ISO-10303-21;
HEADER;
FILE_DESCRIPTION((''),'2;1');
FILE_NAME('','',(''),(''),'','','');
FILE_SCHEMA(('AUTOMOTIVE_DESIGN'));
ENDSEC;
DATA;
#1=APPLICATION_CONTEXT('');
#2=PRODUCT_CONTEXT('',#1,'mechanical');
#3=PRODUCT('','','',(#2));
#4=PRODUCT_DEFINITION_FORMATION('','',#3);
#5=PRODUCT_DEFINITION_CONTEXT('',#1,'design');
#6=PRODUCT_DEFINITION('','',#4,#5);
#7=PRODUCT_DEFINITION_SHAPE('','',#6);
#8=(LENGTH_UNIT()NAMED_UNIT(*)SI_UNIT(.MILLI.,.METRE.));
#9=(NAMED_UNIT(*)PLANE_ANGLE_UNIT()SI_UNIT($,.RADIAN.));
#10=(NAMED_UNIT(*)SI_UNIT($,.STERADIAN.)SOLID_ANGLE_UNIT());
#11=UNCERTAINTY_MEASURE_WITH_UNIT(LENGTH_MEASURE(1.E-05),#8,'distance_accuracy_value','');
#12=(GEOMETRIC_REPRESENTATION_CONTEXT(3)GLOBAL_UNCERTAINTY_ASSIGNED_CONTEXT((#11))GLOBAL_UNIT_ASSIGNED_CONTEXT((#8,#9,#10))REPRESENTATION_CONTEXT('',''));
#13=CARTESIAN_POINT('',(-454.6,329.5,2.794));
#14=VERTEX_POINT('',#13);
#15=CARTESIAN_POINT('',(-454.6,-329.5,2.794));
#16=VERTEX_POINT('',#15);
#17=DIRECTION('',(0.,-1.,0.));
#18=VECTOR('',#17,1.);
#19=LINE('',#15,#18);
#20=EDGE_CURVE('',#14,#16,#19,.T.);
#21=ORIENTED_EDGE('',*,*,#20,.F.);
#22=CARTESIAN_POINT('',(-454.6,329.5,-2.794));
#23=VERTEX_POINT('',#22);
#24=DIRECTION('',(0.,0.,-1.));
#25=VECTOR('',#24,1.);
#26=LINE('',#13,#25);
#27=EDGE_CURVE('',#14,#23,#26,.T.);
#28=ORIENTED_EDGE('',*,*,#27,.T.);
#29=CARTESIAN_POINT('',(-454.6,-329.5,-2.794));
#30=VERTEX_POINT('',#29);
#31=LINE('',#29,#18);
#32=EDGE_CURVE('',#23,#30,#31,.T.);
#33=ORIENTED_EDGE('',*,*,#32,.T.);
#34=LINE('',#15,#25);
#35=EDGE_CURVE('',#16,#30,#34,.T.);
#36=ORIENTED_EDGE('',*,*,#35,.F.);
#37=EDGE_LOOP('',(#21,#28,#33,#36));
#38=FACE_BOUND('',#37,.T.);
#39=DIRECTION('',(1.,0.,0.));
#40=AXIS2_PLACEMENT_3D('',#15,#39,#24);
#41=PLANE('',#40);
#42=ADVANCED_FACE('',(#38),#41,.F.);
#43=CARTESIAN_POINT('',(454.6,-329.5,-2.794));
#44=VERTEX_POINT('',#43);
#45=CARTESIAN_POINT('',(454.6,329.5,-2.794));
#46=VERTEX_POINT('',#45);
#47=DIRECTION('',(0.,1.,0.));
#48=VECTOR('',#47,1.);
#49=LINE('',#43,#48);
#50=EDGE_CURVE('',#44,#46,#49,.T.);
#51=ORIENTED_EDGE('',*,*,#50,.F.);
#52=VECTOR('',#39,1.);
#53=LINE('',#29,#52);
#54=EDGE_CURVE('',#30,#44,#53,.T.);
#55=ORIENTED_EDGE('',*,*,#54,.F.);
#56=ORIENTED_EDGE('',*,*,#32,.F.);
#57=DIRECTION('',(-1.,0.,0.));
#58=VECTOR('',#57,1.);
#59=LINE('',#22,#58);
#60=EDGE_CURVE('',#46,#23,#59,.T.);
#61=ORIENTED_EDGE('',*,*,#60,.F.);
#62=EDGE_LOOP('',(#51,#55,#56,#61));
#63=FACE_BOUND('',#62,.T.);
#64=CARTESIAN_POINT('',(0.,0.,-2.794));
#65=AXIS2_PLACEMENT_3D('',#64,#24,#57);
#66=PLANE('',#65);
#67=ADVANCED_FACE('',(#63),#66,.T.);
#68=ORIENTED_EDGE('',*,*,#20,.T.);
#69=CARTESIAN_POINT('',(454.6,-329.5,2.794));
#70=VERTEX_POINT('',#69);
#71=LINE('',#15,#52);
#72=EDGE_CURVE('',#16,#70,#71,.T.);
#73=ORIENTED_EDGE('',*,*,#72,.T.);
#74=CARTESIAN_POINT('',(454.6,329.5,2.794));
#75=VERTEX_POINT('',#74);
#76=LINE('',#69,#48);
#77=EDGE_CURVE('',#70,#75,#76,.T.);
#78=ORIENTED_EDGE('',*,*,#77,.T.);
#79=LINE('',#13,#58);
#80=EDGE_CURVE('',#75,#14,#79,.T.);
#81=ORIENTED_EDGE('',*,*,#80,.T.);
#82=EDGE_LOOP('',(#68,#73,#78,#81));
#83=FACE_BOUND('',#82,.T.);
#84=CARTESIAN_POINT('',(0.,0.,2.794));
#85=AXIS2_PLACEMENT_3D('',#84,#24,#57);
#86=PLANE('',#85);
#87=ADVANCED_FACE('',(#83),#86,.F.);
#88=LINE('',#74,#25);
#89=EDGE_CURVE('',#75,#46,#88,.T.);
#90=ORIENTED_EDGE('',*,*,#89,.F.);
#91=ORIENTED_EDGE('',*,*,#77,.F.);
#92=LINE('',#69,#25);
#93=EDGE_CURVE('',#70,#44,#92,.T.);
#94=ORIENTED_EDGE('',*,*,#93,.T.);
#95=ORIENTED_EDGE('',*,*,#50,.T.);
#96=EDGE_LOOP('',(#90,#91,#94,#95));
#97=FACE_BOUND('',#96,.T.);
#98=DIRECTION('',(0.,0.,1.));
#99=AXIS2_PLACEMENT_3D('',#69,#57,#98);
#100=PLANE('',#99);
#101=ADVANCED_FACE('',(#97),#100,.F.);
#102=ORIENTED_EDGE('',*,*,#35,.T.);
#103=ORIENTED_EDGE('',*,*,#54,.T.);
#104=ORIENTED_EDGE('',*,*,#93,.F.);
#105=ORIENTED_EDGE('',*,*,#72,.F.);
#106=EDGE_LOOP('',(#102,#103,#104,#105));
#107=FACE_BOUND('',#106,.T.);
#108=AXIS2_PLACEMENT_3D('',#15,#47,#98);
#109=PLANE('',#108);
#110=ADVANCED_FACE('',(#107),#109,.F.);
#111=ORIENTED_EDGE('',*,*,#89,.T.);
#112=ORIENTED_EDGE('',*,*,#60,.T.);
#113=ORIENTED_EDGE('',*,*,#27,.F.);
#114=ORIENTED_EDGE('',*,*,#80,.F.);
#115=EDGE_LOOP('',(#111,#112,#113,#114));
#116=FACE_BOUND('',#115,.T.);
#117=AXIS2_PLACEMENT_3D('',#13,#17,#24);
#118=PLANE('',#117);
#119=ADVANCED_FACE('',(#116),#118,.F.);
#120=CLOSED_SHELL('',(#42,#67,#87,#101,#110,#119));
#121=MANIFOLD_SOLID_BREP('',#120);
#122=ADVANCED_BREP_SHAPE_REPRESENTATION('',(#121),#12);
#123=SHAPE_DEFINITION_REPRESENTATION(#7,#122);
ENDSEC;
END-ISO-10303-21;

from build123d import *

# Parameters (mm, degrees)
SKETCH1_W           = 909.2
SKETCH1_H           = 659
BOSS_EXTRUDE1_DEPTH = 2.794


with BuildPart() as part:
    # Sketch1 → Boss-Extrude1 (new body, symmetric)
    with BuildSketch(Plane.XY):
        Rectangle(SKETCH1_W, SKETCH1_H)
    extrude(amount=BOSS_EXTRUDE1_DEPTH, both=True)


solid = part.part
